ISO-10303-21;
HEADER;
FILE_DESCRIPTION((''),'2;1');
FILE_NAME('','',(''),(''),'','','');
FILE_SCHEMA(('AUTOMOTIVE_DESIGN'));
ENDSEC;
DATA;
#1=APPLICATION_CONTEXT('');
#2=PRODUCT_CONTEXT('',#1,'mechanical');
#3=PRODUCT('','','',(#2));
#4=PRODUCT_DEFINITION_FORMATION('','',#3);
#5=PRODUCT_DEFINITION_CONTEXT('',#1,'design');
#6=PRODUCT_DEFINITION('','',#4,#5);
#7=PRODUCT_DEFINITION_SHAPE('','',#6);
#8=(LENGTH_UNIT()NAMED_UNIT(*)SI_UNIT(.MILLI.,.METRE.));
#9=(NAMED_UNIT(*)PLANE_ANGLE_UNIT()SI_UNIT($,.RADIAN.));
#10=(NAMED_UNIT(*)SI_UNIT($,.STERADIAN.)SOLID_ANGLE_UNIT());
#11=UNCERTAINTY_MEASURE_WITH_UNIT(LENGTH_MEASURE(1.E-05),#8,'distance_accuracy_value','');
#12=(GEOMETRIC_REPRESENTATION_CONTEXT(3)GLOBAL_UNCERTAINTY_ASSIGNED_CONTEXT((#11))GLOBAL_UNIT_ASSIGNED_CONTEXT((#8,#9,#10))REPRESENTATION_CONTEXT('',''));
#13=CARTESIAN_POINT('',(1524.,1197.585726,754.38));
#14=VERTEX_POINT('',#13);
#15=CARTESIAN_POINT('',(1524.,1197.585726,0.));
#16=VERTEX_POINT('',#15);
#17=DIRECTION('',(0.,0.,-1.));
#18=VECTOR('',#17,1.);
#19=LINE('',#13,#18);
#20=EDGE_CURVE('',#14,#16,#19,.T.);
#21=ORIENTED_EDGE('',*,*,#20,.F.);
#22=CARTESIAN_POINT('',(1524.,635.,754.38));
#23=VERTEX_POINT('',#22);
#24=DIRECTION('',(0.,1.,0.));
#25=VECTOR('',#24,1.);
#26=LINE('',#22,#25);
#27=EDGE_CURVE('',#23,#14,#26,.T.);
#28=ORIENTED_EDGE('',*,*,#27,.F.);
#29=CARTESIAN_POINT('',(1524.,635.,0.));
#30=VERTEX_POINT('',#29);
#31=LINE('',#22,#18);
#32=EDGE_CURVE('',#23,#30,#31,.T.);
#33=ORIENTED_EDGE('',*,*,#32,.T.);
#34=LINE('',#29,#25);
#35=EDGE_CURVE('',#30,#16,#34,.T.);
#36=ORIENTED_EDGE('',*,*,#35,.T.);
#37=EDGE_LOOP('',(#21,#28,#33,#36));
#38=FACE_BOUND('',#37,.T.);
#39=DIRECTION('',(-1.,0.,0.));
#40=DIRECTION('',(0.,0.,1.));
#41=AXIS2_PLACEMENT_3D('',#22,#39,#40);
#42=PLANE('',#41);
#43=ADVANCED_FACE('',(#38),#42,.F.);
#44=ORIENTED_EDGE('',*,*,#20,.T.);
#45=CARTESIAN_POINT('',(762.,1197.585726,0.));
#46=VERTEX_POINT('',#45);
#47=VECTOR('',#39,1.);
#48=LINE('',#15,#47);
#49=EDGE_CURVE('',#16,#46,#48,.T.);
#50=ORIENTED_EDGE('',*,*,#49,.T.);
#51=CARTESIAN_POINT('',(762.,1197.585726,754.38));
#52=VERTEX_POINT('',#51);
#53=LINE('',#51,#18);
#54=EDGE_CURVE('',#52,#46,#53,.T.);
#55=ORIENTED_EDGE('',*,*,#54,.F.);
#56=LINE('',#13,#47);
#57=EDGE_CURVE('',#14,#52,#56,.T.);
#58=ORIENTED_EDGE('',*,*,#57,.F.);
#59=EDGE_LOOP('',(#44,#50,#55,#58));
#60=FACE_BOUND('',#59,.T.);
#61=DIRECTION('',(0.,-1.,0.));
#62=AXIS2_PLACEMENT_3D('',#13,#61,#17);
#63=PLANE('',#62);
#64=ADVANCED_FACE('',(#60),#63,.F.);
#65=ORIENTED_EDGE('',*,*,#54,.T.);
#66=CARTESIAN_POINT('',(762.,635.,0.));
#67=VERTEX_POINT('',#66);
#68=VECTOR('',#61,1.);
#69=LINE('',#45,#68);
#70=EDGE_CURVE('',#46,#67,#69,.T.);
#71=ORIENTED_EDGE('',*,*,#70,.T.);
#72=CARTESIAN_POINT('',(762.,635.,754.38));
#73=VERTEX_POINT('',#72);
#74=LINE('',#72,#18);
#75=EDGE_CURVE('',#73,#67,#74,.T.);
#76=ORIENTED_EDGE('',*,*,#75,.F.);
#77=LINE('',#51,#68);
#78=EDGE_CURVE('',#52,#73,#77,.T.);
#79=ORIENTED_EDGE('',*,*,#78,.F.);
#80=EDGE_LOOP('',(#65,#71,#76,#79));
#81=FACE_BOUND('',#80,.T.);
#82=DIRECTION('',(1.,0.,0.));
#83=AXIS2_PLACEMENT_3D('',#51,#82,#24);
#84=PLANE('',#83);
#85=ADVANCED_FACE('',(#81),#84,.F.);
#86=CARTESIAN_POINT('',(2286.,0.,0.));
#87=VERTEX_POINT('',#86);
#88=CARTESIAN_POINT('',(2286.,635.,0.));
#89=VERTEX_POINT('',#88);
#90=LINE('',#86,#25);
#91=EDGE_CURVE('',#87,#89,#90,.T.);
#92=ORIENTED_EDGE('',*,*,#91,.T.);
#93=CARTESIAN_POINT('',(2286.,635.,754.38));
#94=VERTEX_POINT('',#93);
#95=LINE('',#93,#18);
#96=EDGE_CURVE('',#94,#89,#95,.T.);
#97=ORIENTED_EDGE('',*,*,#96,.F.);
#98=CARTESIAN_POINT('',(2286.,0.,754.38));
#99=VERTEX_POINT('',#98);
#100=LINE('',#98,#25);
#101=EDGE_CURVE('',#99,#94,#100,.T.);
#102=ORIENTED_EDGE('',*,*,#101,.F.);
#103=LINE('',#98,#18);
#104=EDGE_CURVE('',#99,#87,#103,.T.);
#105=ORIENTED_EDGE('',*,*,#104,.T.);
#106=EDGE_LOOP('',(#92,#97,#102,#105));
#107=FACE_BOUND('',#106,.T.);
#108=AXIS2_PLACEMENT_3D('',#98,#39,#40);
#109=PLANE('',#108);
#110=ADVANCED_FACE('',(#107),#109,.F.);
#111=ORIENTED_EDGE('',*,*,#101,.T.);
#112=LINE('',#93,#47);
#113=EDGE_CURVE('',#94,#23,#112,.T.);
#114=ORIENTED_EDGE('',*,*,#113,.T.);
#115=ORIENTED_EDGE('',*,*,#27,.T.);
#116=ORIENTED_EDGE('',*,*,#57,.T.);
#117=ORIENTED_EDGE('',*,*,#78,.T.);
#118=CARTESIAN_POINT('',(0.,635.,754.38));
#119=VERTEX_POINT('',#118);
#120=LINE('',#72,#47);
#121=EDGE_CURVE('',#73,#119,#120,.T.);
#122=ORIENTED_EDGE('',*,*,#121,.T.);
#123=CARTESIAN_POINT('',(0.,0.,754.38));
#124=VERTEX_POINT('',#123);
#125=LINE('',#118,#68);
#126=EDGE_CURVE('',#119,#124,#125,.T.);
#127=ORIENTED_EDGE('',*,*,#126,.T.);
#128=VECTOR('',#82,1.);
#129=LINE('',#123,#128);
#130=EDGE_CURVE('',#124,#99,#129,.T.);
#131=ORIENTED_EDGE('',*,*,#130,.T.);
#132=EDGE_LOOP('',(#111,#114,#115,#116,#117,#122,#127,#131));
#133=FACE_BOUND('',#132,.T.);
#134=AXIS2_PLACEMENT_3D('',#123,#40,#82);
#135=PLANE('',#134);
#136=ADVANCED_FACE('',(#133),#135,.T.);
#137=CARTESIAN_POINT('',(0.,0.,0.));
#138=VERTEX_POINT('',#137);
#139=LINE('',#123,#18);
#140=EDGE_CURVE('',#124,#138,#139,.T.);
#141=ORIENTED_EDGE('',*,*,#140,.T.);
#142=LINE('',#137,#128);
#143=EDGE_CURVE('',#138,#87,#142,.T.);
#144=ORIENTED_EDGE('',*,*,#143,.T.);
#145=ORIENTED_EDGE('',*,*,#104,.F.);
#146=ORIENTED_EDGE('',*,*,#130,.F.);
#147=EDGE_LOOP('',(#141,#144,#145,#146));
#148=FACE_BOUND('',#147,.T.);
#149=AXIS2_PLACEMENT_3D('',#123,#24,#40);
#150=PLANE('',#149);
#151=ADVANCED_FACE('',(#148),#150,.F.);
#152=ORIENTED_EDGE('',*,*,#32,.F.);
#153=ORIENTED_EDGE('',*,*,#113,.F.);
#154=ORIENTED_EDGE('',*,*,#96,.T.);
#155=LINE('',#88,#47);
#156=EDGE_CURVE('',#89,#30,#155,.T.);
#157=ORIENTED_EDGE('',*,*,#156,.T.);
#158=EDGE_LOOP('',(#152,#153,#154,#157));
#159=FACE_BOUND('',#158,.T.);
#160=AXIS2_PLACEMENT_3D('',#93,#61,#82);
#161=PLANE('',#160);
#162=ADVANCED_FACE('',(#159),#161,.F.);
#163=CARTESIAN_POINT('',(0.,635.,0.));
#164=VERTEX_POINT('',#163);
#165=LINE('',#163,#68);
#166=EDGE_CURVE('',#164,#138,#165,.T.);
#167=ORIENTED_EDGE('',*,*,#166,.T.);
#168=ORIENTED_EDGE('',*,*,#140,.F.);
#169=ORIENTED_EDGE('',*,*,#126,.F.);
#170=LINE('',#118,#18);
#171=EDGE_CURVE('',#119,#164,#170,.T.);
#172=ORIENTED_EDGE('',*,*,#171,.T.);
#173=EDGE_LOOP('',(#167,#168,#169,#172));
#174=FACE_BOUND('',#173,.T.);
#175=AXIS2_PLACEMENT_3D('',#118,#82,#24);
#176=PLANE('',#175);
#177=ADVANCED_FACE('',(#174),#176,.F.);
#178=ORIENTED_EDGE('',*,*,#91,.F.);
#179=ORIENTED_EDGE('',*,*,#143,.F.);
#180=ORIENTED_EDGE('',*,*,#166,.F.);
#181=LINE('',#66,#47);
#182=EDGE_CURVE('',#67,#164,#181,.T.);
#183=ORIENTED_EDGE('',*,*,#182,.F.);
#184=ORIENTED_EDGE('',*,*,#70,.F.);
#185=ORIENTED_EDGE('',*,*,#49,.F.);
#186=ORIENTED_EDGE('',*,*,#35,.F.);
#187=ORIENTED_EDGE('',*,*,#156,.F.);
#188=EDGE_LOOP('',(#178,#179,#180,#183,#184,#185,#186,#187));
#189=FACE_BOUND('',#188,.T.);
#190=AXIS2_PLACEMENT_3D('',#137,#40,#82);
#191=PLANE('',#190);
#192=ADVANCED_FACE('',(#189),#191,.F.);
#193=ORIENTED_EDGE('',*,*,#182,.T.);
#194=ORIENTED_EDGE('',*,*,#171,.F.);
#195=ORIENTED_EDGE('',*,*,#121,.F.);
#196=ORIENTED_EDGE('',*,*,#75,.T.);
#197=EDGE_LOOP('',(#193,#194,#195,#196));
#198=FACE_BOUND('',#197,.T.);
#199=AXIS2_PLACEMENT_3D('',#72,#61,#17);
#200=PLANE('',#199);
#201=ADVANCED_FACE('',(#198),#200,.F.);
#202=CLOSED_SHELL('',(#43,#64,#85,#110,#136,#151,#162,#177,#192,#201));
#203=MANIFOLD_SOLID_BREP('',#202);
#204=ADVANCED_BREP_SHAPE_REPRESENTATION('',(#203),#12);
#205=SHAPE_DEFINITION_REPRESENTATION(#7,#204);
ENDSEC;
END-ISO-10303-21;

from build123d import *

# Parameters (mm, degrees)
BOSS_EXTRUDE1_DEPTH = 754.38


with BuildPart() as part:
    # Sketch1 → Boss-Extrude1 (new body)
    with BuildSketch(Plane.XY):
        Polygon((0, 0), (2286, 0), (2286, 635), (1524, 635), (1524, 1197.585726249), (762, 1197.585726249), (762, 635), (0, 635), align=None)
    extrude(amount=BOSS_EXTRUDE1_DEPTH)


solid = part.part
